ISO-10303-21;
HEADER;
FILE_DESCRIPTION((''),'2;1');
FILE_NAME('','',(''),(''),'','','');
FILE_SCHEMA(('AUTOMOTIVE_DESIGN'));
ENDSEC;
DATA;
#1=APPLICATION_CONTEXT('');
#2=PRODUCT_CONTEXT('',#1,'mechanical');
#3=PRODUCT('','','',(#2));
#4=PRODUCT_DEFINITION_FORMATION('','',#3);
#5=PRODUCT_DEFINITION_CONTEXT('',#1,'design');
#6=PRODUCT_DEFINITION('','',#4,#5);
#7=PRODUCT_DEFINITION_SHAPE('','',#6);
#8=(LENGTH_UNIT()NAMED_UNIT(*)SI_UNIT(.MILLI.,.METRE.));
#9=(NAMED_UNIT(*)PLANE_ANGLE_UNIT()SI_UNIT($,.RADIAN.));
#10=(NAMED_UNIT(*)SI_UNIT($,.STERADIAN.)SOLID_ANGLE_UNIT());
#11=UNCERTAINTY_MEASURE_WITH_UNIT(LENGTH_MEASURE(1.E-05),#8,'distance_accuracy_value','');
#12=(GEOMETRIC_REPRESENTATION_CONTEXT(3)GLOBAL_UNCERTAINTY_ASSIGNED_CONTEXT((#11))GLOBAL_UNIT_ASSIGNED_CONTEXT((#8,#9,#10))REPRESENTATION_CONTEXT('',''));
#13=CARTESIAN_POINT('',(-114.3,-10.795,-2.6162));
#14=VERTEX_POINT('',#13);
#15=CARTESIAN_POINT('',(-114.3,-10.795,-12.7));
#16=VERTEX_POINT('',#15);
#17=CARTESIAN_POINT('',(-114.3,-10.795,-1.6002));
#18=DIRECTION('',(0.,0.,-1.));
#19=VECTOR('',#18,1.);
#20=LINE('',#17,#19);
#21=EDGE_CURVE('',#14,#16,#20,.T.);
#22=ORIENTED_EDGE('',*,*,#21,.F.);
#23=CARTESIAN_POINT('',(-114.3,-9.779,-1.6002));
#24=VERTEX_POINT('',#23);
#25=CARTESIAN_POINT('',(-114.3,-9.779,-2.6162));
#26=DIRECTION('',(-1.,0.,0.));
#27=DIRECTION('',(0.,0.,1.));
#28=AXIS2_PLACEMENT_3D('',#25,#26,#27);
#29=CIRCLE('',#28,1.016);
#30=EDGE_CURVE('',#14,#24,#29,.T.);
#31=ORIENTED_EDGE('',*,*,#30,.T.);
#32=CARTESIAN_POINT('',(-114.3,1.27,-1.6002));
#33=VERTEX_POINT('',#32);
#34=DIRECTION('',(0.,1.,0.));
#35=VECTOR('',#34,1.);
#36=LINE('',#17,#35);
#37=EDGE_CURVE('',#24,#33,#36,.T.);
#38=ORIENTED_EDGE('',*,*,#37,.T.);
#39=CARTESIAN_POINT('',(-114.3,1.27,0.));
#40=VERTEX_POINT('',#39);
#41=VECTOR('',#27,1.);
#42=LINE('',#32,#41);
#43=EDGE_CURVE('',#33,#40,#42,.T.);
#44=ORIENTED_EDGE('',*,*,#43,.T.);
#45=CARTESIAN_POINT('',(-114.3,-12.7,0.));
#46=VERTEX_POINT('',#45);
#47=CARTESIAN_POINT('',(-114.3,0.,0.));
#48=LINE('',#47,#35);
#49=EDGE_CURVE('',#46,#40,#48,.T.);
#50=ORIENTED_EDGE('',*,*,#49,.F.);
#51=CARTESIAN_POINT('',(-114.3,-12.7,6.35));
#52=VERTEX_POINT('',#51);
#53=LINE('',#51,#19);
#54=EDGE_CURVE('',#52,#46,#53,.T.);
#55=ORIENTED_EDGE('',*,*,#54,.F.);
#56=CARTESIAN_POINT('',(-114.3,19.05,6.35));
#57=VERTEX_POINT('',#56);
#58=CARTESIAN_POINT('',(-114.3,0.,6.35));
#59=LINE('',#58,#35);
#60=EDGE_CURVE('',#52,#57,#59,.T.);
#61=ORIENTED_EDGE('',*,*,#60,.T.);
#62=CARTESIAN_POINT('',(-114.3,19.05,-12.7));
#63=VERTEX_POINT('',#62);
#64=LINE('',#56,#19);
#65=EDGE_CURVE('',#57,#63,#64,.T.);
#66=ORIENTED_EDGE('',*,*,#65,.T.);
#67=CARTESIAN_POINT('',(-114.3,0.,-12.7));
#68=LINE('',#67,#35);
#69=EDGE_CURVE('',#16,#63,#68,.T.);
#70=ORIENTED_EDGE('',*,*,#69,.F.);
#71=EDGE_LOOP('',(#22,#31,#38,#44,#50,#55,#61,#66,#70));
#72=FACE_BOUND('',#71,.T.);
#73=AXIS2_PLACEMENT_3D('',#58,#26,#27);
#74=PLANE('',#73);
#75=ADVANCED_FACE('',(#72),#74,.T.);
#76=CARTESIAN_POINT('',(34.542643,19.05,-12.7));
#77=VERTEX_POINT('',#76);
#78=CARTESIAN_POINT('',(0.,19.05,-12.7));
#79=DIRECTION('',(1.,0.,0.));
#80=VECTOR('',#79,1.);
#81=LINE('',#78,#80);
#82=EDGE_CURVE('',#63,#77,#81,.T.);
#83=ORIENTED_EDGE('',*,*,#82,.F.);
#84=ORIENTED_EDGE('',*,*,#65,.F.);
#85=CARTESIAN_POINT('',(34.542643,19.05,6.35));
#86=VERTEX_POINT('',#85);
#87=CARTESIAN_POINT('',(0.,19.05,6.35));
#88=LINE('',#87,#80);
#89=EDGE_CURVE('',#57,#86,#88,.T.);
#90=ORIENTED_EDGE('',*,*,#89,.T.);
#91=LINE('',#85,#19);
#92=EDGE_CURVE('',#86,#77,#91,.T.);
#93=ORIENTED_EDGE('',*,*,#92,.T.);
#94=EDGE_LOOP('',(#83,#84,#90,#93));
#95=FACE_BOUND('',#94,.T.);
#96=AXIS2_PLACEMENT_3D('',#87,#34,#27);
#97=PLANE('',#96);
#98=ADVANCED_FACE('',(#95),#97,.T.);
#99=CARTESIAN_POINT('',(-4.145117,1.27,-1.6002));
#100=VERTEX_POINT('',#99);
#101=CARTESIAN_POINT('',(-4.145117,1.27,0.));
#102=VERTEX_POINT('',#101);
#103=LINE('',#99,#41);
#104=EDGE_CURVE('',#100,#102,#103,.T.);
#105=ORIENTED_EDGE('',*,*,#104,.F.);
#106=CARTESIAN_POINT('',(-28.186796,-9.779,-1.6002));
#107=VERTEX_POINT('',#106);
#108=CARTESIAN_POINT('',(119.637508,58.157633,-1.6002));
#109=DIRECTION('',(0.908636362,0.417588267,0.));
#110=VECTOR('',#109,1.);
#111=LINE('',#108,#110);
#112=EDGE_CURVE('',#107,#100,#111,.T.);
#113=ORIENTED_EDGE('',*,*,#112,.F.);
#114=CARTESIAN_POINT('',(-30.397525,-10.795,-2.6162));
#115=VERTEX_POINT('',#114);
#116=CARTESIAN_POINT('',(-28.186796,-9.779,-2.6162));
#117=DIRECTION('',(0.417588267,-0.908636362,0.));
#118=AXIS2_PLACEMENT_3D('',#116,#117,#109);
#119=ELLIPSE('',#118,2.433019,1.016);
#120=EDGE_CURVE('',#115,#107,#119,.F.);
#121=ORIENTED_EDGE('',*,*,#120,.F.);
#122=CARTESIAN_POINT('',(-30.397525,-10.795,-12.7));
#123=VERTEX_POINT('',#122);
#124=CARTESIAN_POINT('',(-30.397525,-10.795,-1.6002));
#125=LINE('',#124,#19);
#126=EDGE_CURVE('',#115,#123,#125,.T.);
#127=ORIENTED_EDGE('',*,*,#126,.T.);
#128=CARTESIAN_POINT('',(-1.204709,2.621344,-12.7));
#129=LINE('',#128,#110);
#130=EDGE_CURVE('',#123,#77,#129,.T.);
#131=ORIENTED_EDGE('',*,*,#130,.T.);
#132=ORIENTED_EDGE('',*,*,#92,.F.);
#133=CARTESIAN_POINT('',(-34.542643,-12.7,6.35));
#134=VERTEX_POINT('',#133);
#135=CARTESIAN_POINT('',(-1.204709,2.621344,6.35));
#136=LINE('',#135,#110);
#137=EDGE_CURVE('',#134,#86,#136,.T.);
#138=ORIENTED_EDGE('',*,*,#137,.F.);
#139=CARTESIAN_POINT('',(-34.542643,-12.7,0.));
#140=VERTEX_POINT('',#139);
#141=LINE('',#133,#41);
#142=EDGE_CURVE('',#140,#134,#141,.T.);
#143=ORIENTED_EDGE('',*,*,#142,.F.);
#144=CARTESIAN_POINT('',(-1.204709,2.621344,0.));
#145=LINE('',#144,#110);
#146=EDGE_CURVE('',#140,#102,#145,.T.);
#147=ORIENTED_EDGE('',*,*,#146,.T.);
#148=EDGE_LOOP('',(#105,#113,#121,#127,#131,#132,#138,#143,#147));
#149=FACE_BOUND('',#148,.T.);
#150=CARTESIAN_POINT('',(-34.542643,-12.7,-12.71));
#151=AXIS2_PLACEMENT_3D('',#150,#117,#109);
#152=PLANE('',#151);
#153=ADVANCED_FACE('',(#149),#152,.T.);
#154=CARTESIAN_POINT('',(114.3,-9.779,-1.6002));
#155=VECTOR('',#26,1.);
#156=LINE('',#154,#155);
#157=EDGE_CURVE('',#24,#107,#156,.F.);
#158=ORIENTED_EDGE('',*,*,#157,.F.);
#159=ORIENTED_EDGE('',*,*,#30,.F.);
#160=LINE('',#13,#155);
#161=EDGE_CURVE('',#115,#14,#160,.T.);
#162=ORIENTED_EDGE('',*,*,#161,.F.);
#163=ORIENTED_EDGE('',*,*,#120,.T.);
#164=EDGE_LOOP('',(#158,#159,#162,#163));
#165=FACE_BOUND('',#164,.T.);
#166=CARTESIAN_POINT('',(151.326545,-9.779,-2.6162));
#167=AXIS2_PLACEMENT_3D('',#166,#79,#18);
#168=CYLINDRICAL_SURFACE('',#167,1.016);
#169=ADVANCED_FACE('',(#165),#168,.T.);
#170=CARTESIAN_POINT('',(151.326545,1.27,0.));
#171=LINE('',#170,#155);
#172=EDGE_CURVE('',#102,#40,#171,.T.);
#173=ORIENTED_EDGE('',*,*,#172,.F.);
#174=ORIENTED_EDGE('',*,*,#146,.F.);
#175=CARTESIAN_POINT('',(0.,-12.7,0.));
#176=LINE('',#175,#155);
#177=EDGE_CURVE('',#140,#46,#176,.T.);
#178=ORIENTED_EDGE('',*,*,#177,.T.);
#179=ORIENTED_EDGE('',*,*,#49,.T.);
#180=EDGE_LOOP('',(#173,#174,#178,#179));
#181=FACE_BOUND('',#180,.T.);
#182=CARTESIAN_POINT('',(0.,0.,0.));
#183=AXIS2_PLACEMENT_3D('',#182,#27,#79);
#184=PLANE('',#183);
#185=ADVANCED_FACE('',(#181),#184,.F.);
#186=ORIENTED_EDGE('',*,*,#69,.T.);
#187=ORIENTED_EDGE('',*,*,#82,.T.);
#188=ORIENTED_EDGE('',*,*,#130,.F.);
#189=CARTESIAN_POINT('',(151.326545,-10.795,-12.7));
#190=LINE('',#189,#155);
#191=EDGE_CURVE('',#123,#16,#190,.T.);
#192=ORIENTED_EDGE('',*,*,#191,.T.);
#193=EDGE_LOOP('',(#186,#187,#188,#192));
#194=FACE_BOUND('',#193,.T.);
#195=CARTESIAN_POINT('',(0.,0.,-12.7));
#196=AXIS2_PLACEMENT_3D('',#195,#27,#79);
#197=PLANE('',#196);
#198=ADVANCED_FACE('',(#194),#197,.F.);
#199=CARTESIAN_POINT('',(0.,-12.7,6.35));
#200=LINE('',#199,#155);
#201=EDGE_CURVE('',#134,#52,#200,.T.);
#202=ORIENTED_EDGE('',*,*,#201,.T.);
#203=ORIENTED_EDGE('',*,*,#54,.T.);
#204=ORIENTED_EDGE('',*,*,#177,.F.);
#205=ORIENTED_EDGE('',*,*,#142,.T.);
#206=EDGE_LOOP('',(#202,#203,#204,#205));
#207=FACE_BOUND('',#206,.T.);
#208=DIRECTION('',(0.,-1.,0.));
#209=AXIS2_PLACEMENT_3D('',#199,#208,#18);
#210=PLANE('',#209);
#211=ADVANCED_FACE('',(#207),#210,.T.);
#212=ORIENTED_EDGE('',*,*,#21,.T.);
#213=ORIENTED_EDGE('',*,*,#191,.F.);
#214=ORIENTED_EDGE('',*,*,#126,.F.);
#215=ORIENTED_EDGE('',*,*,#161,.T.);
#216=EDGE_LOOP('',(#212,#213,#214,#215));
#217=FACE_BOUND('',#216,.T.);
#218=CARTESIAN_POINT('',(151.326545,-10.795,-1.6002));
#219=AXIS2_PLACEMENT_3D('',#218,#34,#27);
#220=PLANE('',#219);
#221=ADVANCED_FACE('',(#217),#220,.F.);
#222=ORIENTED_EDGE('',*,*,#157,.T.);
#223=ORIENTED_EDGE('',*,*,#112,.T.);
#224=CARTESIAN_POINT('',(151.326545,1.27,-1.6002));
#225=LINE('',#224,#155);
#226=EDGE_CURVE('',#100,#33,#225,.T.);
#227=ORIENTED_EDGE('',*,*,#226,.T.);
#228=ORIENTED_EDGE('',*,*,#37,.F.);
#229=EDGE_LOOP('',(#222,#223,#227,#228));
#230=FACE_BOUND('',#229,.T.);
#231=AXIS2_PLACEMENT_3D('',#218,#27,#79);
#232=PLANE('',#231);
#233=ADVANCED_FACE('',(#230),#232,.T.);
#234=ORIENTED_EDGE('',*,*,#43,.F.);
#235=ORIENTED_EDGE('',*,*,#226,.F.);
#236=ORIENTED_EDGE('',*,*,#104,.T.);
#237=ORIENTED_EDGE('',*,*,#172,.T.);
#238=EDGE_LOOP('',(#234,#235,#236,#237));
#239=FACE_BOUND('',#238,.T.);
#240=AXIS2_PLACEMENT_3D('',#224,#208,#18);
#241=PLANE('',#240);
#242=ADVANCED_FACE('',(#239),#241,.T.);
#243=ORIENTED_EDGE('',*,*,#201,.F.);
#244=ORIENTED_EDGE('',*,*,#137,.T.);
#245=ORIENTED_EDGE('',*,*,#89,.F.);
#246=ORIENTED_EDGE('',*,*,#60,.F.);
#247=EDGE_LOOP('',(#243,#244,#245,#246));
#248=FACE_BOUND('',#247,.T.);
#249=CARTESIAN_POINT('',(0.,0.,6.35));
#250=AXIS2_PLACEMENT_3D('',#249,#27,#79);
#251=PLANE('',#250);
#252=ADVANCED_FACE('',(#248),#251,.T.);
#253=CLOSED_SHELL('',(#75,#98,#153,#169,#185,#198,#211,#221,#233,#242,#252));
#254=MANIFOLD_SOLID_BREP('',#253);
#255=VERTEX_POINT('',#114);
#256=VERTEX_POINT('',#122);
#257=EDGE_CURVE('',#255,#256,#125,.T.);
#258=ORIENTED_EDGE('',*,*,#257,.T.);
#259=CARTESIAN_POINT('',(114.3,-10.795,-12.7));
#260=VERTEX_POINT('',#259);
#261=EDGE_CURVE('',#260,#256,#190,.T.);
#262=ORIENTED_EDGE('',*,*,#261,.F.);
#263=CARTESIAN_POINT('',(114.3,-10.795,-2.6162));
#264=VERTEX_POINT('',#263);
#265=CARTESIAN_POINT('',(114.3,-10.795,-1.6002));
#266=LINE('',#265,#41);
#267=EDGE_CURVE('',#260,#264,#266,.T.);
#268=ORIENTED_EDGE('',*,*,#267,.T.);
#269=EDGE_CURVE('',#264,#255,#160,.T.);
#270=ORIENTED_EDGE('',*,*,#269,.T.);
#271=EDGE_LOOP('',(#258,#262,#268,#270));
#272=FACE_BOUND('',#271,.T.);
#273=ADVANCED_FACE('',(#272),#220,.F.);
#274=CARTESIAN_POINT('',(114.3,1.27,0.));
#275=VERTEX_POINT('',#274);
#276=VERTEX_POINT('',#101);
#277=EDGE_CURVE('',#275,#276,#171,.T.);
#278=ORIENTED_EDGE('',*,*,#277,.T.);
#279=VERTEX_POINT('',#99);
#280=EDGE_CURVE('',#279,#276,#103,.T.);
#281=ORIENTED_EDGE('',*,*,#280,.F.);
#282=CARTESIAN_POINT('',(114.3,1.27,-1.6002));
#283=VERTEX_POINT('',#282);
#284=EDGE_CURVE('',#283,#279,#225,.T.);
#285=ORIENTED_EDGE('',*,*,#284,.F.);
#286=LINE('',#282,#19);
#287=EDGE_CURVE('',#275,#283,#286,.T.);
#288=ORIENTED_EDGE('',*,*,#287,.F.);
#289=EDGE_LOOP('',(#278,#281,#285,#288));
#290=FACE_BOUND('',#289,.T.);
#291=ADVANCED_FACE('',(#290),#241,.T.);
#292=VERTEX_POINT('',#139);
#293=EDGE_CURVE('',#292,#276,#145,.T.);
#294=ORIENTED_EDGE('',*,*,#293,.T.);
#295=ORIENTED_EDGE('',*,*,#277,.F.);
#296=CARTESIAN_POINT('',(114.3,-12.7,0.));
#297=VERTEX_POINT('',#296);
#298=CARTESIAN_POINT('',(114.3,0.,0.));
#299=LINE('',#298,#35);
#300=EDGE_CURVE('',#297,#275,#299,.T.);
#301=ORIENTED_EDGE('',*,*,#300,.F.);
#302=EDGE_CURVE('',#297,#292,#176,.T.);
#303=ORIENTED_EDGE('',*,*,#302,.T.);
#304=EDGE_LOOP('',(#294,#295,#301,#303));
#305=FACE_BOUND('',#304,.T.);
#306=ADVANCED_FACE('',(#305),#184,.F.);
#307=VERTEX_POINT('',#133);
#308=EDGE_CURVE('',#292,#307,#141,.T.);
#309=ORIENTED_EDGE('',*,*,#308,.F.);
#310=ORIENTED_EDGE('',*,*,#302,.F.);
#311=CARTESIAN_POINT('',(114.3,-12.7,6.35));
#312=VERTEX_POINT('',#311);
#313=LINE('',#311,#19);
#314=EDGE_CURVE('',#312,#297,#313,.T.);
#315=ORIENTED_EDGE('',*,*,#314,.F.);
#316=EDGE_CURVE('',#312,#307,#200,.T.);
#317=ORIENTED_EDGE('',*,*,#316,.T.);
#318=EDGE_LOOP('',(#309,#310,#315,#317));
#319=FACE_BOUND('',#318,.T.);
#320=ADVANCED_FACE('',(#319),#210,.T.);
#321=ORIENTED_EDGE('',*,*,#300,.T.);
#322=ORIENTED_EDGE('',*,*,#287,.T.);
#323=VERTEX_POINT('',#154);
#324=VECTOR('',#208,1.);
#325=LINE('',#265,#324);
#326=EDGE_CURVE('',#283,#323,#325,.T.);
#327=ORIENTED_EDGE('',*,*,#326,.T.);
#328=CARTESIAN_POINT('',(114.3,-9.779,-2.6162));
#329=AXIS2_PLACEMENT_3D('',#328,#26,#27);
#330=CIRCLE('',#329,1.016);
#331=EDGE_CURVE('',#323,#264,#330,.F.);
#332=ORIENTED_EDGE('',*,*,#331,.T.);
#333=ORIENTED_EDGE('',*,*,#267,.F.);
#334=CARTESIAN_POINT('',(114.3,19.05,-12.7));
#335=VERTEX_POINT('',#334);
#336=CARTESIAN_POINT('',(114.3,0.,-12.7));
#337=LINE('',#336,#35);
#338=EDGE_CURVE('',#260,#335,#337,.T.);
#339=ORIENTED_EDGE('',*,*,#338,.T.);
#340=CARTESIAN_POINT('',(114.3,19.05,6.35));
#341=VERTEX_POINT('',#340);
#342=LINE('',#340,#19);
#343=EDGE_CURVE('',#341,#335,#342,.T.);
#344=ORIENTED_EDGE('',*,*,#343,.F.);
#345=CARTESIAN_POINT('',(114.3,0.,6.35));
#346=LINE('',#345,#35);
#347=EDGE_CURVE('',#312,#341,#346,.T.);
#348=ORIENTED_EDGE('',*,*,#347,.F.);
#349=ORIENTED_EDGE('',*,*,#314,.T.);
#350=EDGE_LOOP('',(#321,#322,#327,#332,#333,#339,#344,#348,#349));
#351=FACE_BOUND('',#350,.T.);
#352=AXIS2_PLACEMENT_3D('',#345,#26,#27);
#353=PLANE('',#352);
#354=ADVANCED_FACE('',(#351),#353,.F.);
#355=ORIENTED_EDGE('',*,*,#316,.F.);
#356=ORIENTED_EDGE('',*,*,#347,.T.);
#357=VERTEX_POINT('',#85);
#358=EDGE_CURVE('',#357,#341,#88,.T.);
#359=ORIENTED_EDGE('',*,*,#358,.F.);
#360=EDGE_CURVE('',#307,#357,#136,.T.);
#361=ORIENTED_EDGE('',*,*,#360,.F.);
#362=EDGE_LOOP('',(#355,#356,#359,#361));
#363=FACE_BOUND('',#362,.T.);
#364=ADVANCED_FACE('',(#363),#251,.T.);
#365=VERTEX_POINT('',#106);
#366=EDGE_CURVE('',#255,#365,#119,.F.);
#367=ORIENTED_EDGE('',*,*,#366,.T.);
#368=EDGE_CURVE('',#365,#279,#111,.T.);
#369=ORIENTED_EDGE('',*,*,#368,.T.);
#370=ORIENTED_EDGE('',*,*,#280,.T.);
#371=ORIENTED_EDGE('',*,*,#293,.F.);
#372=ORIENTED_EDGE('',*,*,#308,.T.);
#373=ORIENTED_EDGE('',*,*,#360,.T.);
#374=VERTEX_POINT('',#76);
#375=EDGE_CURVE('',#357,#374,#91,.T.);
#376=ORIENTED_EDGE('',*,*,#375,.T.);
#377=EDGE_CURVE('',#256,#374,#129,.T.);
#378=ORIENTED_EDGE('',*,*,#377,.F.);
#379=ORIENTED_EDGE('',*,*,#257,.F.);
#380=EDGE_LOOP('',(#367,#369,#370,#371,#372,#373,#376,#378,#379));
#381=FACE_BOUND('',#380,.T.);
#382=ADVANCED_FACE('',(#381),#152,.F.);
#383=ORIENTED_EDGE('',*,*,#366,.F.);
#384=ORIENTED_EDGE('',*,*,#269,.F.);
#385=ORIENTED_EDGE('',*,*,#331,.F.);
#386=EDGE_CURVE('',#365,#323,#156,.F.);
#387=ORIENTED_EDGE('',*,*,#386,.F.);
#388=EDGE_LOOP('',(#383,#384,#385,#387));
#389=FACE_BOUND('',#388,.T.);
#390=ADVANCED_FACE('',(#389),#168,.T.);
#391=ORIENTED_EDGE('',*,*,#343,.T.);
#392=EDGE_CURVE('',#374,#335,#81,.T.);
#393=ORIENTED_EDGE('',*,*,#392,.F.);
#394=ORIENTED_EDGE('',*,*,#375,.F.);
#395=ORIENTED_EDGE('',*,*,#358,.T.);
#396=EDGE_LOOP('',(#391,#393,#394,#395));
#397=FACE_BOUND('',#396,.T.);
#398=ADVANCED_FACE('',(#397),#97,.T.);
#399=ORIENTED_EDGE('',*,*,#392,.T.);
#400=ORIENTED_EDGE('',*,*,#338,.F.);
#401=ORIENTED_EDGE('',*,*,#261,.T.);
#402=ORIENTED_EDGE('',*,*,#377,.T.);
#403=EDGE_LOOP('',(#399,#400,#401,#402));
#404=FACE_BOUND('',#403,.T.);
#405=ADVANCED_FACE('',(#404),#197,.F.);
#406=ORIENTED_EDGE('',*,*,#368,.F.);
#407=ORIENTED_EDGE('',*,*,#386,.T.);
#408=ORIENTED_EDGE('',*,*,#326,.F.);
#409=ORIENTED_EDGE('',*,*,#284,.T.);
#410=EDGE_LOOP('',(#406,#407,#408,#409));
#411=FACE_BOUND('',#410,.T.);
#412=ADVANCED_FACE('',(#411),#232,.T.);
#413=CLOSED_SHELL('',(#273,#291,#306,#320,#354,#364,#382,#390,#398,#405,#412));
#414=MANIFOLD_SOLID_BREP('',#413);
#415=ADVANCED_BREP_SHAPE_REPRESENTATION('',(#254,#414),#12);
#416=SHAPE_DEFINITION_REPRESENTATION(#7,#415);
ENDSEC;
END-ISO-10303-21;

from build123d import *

# Parameters (mm, degrees)
SKETCH1_W              = 228.6
SKETCH1_H              = 25.4
SKETCH1_H_2            = 6.35
BOSS_EXTRUDE1_DEPTH    = 6.35
SKETCH1_3_W            = 228.6
SKETCH1_3_H            = 6.35
BOSS_EXTRUDE2_DEPTH    = 12.7
BOSS_EXTRUDE3_DEPTH    = 228.6
FILLET1_R              = 1.016
SPLIT2_SURFACE_1_BACK  = 232.579
SPLIT2_SURFACE_1_DEPTH = 465.158
SPLIT2_SURFACE_2_BACK  = 232.579
SPLIT2_SURFACE_2_DEPTH = 465.158


with BuildPart() as part:
    # Sketch1 → Boss-Extrude1 (new body)
    with BuildSketch(Plane.XY):
        Rectangle(SKETCH1_W, SKETCH1_H)
        with Locations((0, 15.875)):
            Rectangle(SKETCH1_W, SKETCH1_H_2)
    extrude(amount=BOSS_EXTRUDE1_DEPTH)

    # Sketch1<3> → Boss-Extrude2 (add)
    with BuildSketch(Plane.XY):
        with Locations((0, 15.875)):
            Rectangle(SKETCH1_3_W, SKETCH1_3_H)
    extrude(amount=-BOSS_EXTRUDE2_DEPTH)

    # Sketch4 → Boss-Extrude3 (add)
    with BuildSketch(Plane.ZY.offset(114.3)):
        Polygon((-12.7, 12.7), (-12.7, -10.795), (-1.6002, -10.795), (-1.6002, 1.27), (0, 1.27), (0, -12.7), (6.35, -12.7), (6.35, 19.05), (-12.7, 19.05), align=None)
    extrude(amount=-BOSS_EXTRUDE3_DEPTH)

    # Fillet1
    fillet1_edges = [part.edges().sort_by_distance(p)[0] for p in [
        (0, -10.795, -1.6002),
    ]]
    fillet(fillet1_edges, radius=FILLET1_R)


with BuildPart() as body_2:
    # Split2: the piece behind the surface
    add(part.part)
    # Split2 surface: a surface, the sketch's curves swept straight by 465.158 mm
    with BuildLine(Plane.XY.offset(6.35).offset(-SPLIT2_SURFACE_1_BACK), mode=Mode.PRIVATE) as split2_surface_1_path:
        Line((-34.542642552, -12.7), (34.542642552, 19.05))
    split2_surface_1 = Shell.extrude(split2_surface_1_path.wire(), (0 * SPLIT2_SURFACE_1_DEPTH, 0 * SPLIT2_SURFACE_1_DEPTH, 1 * SPLIT2_SURFACE_1_DEPTH))
    split(bisect_by=split2_surface_1, keep=Keep.BOTTOM)


with BuildPart() as part_1:
    add(part.part)

    # Split2: split by a surface, the side it looks to stays
    # Split2 surface: a surface, the sketch's curves swept straight by 465.158 mm
    with BuildLine(Plane.XY.offset(6.35).offset(-SPLIT2_SURFACE_2_BACK), mode=Mode.PRIVATE) as split2_surface_2_path:
        Line((-34.542642552, -12.7), (34.542642552, 19.05))
    split2_surface_2 = Shell.extrude(split2_surface_2_path.wire(), (0 * SPLIT2_SURFACE_2_DEPTH, 0 * SPLIT2_SURFACE_2_DEPTH, 1 * SPLIT2_SURFACE_2_DEPTH))
    split(bisect_by=split2_surface_2, keep=Keep.TOP)


solid = Compound([body_2.part, part_1.part])
